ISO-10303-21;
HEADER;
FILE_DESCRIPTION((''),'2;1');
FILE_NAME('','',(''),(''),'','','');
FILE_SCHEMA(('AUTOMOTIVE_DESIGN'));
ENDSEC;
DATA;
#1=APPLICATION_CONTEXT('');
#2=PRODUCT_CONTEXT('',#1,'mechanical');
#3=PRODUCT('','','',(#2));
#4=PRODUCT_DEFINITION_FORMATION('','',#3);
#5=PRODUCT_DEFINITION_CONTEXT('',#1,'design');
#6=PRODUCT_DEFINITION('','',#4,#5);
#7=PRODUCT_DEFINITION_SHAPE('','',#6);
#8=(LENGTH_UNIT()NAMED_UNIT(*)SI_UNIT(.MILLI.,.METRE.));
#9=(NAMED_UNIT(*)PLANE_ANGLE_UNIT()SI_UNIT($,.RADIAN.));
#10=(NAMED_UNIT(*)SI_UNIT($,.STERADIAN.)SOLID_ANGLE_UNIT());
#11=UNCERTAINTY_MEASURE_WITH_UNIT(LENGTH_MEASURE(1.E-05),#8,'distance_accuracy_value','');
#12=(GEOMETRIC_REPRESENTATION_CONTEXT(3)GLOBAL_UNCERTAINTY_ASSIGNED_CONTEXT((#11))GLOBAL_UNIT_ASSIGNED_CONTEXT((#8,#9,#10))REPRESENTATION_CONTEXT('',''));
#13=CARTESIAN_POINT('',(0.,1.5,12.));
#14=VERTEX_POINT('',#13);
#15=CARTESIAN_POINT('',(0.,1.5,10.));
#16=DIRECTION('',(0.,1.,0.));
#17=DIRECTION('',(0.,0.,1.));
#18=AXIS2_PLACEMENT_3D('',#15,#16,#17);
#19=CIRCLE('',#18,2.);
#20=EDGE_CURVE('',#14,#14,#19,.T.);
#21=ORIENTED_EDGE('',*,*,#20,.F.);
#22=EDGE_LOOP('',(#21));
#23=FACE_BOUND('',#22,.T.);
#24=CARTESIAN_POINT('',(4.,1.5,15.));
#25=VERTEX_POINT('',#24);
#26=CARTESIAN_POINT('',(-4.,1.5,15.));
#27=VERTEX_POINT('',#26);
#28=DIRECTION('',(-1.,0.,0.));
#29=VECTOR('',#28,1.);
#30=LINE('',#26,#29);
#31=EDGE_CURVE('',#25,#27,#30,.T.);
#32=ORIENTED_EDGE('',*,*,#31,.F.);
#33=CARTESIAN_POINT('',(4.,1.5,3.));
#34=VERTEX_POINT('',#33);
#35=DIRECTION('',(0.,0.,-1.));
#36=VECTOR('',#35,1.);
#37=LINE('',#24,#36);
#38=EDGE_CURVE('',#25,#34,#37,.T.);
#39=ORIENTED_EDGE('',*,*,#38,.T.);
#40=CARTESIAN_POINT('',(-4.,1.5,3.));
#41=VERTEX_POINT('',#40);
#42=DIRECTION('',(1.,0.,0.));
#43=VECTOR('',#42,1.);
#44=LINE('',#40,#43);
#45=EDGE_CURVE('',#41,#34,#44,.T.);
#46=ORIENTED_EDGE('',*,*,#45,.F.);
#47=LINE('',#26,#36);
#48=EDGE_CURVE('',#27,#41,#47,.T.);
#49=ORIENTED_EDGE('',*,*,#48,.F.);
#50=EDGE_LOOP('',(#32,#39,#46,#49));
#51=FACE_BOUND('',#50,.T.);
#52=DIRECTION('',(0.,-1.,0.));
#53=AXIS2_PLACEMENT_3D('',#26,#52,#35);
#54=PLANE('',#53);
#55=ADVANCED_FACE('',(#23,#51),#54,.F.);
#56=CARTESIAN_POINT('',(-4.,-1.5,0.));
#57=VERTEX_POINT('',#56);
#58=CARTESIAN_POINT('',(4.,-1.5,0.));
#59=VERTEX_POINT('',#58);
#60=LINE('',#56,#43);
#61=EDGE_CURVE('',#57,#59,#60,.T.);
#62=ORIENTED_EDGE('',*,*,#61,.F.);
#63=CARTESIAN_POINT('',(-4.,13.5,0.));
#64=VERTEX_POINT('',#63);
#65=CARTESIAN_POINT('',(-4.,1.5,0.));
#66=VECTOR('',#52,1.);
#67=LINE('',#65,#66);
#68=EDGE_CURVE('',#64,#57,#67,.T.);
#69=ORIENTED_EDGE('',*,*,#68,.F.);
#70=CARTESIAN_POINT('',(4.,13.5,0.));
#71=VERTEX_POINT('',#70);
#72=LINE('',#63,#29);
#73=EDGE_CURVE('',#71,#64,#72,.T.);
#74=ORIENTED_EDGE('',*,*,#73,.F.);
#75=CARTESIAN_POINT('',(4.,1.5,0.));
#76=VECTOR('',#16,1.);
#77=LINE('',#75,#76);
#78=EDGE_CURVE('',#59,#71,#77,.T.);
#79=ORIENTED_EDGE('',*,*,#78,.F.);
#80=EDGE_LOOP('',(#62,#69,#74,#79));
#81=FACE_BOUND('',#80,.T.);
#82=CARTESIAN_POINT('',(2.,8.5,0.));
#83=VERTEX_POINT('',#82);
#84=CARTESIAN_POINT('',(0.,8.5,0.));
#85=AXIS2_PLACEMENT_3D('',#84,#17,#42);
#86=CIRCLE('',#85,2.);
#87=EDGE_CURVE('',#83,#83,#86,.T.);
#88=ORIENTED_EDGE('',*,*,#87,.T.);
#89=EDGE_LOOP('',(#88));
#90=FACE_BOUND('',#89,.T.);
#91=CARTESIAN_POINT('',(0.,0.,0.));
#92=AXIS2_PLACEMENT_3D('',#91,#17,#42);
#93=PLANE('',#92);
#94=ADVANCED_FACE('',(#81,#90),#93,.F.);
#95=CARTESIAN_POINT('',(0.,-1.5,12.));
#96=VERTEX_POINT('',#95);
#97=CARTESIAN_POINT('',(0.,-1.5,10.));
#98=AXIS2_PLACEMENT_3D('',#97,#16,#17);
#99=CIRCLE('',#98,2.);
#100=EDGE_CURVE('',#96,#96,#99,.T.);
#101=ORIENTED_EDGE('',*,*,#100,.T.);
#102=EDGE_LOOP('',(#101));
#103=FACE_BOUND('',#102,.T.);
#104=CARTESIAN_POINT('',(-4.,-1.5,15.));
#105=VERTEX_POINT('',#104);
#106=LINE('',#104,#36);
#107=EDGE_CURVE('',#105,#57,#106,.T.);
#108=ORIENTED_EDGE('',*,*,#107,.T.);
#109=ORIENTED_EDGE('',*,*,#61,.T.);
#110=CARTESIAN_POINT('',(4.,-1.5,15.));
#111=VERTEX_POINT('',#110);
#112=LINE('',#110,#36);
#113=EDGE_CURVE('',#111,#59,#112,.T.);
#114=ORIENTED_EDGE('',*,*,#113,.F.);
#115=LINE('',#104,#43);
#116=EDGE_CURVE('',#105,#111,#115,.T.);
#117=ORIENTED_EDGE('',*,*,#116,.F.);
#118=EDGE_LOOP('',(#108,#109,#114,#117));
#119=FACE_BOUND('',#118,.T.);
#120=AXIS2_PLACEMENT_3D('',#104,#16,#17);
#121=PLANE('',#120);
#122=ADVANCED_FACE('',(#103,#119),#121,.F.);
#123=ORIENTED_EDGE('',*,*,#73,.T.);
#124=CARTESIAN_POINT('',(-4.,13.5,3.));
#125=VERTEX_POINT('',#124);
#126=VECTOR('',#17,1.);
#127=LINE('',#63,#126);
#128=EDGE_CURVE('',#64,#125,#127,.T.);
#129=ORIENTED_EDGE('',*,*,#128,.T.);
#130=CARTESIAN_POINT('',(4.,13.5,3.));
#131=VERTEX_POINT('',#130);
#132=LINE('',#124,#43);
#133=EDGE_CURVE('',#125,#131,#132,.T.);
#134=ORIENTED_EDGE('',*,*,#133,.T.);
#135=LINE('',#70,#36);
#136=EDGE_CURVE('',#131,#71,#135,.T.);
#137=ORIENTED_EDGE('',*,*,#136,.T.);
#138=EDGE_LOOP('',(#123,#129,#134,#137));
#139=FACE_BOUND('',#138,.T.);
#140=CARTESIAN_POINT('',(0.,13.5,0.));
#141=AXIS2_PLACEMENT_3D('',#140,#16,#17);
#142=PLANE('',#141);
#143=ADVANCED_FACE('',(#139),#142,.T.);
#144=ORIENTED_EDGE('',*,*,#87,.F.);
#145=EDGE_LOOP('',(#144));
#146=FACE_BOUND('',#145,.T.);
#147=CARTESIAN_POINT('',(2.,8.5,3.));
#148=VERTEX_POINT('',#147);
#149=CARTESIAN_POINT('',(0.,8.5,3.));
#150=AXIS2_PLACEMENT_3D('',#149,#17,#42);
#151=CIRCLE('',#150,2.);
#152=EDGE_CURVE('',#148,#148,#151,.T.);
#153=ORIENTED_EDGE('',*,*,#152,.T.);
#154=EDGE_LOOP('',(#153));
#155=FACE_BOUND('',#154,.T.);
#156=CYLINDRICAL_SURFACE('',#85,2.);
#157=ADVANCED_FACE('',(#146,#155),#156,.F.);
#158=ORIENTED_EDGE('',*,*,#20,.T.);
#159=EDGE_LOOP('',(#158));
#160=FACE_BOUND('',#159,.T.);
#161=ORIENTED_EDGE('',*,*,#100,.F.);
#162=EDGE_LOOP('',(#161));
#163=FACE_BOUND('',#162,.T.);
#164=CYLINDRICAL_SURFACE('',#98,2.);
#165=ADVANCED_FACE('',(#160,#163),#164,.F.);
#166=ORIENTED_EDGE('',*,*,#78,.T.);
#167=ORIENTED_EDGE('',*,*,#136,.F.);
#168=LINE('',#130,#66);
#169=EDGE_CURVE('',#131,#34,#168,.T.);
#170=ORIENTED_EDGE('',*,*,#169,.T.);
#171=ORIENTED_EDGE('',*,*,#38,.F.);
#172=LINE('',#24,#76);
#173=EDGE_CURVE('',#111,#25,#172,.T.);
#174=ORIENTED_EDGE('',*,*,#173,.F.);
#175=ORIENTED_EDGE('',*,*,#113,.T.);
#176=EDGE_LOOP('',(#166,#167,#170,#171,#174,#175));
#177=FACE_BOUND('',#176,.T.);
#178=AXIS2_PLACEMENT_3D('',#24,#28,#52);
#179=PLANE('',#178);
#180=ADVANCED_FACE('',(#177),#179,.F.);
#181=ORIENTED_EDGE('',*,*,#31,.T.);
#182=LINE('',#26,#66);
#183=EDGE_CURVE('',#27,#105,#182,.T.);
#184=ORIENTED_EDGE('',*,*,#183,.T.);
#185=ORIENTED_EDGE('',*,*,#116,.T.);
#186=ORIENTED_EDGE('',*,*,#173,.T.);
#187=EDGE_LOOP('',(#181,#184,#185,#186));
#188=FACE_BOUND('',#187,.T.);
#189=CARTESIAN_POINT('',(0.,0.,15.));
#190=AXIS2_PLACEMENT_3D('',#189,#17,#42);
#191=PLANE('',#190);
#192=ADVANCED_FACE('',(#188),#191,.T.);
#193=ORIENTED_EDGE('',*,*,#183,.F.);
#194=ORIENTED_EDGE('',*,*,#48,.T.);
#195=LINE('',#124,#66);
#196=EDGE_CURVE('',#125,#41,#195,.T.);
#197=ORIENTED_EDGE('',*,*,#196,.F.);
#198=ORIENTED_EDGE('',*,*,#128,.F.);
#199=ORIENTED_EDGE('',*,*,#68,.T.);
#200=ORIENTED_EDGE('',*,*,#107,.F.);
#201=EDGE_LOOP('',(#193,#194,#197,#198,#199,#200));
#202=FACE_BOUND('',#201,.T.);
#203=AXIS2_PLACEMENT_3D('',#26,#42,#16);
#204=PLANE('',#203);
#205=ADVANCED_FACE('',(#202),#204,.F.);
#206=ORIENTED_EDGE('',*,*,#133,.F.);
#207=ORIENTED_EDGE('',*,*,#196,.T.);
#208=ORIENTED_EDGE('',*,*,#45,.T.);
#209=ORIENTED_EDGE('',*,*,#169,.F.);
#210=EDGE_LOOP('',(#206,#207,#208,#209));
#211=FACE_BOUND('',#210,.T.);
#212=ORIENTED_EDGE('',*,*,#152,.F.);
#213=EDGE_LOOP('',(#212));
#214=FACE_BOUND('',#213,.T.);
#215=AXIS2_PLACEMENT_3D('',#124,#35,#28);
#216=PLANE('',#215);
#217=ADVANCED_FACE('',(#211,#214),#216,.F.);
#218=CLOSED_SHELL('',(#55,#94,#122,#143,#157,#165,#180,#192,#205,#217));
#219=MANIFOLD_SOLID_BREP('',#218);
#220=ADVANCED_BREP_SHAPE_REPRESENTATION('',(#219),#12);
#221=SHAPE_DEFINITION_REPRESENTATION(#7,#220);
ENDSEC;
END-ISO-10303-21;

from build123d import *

# Parameters (mm, degrees)
ESQUISSE1_W             = 8
ESQUISSE1_H             = 3
BOSS_EXTRU_1_DEPTH      = 15
ESQUISSE2_W             = 8
ESQUISSE2_H             = 3
BOSS_EXTRU_2_DEPTH      = 12
ESQUISSE3_R             = 2
ENL_V_MAT_EXTRU_1_DEPTH = 20.62141687
ESQUISSE4_R             = 2
ENL_V_MAT_EXTRU_2_DEPTH = 19.5


with BuildPart() as part:
    # Esquisse1 → Boss.-Extru.1 (new body)
    with BuildSketch(Plane.XY):
        Rectangle(ESQUISSE1_W, ESQUISSE1_H)
    extrude(amount=BOSS_EXTRU_1_DEPTH)

    # Esquisse2 → Boss.-Extru.2 (add)
    with BuildSketch(Plane(origin=(0, 1.5, 0), x_dir=(1, 0, 0), z_dir=(0, 1, 0))):
        with Locations((0, -1.5)):
            Rectangle(ESQUISSE2_W, ESQUISSE2_H)
    extrude(amount=BOSS_EXTRU_2_DEPTH)

    # Esquisse3 → Enlèv. mat.-Extru.1 (cut, through all)
    with BuildSketch(Plane(origin=(0, 1.5, 0), x_dir=(1, 0, 0), z_dir=(0, 1, 0))):
        with Locations(Location((0, -10, 0), (0, 0, 270))):
            Circle(ESQUISSE3_R)
    extrude(amount=-ENL_V_MAT_EXTRU_1_DEPTH, mode=Mode.SUBTRACT)

    # Esquisse4 → Enlèv. mat.-Extru.2 (cut, through all)
    with BuildSketch(Plane.XY.offset(3)):
        with Locations((0, 8.5)):
            Circle(ESQUISSE4_R)
    extrude(amount=-ENL_V_MAT_EXTRU_2_DEPTH, mode=Mode.SUBTRACT)


solid = part.part
